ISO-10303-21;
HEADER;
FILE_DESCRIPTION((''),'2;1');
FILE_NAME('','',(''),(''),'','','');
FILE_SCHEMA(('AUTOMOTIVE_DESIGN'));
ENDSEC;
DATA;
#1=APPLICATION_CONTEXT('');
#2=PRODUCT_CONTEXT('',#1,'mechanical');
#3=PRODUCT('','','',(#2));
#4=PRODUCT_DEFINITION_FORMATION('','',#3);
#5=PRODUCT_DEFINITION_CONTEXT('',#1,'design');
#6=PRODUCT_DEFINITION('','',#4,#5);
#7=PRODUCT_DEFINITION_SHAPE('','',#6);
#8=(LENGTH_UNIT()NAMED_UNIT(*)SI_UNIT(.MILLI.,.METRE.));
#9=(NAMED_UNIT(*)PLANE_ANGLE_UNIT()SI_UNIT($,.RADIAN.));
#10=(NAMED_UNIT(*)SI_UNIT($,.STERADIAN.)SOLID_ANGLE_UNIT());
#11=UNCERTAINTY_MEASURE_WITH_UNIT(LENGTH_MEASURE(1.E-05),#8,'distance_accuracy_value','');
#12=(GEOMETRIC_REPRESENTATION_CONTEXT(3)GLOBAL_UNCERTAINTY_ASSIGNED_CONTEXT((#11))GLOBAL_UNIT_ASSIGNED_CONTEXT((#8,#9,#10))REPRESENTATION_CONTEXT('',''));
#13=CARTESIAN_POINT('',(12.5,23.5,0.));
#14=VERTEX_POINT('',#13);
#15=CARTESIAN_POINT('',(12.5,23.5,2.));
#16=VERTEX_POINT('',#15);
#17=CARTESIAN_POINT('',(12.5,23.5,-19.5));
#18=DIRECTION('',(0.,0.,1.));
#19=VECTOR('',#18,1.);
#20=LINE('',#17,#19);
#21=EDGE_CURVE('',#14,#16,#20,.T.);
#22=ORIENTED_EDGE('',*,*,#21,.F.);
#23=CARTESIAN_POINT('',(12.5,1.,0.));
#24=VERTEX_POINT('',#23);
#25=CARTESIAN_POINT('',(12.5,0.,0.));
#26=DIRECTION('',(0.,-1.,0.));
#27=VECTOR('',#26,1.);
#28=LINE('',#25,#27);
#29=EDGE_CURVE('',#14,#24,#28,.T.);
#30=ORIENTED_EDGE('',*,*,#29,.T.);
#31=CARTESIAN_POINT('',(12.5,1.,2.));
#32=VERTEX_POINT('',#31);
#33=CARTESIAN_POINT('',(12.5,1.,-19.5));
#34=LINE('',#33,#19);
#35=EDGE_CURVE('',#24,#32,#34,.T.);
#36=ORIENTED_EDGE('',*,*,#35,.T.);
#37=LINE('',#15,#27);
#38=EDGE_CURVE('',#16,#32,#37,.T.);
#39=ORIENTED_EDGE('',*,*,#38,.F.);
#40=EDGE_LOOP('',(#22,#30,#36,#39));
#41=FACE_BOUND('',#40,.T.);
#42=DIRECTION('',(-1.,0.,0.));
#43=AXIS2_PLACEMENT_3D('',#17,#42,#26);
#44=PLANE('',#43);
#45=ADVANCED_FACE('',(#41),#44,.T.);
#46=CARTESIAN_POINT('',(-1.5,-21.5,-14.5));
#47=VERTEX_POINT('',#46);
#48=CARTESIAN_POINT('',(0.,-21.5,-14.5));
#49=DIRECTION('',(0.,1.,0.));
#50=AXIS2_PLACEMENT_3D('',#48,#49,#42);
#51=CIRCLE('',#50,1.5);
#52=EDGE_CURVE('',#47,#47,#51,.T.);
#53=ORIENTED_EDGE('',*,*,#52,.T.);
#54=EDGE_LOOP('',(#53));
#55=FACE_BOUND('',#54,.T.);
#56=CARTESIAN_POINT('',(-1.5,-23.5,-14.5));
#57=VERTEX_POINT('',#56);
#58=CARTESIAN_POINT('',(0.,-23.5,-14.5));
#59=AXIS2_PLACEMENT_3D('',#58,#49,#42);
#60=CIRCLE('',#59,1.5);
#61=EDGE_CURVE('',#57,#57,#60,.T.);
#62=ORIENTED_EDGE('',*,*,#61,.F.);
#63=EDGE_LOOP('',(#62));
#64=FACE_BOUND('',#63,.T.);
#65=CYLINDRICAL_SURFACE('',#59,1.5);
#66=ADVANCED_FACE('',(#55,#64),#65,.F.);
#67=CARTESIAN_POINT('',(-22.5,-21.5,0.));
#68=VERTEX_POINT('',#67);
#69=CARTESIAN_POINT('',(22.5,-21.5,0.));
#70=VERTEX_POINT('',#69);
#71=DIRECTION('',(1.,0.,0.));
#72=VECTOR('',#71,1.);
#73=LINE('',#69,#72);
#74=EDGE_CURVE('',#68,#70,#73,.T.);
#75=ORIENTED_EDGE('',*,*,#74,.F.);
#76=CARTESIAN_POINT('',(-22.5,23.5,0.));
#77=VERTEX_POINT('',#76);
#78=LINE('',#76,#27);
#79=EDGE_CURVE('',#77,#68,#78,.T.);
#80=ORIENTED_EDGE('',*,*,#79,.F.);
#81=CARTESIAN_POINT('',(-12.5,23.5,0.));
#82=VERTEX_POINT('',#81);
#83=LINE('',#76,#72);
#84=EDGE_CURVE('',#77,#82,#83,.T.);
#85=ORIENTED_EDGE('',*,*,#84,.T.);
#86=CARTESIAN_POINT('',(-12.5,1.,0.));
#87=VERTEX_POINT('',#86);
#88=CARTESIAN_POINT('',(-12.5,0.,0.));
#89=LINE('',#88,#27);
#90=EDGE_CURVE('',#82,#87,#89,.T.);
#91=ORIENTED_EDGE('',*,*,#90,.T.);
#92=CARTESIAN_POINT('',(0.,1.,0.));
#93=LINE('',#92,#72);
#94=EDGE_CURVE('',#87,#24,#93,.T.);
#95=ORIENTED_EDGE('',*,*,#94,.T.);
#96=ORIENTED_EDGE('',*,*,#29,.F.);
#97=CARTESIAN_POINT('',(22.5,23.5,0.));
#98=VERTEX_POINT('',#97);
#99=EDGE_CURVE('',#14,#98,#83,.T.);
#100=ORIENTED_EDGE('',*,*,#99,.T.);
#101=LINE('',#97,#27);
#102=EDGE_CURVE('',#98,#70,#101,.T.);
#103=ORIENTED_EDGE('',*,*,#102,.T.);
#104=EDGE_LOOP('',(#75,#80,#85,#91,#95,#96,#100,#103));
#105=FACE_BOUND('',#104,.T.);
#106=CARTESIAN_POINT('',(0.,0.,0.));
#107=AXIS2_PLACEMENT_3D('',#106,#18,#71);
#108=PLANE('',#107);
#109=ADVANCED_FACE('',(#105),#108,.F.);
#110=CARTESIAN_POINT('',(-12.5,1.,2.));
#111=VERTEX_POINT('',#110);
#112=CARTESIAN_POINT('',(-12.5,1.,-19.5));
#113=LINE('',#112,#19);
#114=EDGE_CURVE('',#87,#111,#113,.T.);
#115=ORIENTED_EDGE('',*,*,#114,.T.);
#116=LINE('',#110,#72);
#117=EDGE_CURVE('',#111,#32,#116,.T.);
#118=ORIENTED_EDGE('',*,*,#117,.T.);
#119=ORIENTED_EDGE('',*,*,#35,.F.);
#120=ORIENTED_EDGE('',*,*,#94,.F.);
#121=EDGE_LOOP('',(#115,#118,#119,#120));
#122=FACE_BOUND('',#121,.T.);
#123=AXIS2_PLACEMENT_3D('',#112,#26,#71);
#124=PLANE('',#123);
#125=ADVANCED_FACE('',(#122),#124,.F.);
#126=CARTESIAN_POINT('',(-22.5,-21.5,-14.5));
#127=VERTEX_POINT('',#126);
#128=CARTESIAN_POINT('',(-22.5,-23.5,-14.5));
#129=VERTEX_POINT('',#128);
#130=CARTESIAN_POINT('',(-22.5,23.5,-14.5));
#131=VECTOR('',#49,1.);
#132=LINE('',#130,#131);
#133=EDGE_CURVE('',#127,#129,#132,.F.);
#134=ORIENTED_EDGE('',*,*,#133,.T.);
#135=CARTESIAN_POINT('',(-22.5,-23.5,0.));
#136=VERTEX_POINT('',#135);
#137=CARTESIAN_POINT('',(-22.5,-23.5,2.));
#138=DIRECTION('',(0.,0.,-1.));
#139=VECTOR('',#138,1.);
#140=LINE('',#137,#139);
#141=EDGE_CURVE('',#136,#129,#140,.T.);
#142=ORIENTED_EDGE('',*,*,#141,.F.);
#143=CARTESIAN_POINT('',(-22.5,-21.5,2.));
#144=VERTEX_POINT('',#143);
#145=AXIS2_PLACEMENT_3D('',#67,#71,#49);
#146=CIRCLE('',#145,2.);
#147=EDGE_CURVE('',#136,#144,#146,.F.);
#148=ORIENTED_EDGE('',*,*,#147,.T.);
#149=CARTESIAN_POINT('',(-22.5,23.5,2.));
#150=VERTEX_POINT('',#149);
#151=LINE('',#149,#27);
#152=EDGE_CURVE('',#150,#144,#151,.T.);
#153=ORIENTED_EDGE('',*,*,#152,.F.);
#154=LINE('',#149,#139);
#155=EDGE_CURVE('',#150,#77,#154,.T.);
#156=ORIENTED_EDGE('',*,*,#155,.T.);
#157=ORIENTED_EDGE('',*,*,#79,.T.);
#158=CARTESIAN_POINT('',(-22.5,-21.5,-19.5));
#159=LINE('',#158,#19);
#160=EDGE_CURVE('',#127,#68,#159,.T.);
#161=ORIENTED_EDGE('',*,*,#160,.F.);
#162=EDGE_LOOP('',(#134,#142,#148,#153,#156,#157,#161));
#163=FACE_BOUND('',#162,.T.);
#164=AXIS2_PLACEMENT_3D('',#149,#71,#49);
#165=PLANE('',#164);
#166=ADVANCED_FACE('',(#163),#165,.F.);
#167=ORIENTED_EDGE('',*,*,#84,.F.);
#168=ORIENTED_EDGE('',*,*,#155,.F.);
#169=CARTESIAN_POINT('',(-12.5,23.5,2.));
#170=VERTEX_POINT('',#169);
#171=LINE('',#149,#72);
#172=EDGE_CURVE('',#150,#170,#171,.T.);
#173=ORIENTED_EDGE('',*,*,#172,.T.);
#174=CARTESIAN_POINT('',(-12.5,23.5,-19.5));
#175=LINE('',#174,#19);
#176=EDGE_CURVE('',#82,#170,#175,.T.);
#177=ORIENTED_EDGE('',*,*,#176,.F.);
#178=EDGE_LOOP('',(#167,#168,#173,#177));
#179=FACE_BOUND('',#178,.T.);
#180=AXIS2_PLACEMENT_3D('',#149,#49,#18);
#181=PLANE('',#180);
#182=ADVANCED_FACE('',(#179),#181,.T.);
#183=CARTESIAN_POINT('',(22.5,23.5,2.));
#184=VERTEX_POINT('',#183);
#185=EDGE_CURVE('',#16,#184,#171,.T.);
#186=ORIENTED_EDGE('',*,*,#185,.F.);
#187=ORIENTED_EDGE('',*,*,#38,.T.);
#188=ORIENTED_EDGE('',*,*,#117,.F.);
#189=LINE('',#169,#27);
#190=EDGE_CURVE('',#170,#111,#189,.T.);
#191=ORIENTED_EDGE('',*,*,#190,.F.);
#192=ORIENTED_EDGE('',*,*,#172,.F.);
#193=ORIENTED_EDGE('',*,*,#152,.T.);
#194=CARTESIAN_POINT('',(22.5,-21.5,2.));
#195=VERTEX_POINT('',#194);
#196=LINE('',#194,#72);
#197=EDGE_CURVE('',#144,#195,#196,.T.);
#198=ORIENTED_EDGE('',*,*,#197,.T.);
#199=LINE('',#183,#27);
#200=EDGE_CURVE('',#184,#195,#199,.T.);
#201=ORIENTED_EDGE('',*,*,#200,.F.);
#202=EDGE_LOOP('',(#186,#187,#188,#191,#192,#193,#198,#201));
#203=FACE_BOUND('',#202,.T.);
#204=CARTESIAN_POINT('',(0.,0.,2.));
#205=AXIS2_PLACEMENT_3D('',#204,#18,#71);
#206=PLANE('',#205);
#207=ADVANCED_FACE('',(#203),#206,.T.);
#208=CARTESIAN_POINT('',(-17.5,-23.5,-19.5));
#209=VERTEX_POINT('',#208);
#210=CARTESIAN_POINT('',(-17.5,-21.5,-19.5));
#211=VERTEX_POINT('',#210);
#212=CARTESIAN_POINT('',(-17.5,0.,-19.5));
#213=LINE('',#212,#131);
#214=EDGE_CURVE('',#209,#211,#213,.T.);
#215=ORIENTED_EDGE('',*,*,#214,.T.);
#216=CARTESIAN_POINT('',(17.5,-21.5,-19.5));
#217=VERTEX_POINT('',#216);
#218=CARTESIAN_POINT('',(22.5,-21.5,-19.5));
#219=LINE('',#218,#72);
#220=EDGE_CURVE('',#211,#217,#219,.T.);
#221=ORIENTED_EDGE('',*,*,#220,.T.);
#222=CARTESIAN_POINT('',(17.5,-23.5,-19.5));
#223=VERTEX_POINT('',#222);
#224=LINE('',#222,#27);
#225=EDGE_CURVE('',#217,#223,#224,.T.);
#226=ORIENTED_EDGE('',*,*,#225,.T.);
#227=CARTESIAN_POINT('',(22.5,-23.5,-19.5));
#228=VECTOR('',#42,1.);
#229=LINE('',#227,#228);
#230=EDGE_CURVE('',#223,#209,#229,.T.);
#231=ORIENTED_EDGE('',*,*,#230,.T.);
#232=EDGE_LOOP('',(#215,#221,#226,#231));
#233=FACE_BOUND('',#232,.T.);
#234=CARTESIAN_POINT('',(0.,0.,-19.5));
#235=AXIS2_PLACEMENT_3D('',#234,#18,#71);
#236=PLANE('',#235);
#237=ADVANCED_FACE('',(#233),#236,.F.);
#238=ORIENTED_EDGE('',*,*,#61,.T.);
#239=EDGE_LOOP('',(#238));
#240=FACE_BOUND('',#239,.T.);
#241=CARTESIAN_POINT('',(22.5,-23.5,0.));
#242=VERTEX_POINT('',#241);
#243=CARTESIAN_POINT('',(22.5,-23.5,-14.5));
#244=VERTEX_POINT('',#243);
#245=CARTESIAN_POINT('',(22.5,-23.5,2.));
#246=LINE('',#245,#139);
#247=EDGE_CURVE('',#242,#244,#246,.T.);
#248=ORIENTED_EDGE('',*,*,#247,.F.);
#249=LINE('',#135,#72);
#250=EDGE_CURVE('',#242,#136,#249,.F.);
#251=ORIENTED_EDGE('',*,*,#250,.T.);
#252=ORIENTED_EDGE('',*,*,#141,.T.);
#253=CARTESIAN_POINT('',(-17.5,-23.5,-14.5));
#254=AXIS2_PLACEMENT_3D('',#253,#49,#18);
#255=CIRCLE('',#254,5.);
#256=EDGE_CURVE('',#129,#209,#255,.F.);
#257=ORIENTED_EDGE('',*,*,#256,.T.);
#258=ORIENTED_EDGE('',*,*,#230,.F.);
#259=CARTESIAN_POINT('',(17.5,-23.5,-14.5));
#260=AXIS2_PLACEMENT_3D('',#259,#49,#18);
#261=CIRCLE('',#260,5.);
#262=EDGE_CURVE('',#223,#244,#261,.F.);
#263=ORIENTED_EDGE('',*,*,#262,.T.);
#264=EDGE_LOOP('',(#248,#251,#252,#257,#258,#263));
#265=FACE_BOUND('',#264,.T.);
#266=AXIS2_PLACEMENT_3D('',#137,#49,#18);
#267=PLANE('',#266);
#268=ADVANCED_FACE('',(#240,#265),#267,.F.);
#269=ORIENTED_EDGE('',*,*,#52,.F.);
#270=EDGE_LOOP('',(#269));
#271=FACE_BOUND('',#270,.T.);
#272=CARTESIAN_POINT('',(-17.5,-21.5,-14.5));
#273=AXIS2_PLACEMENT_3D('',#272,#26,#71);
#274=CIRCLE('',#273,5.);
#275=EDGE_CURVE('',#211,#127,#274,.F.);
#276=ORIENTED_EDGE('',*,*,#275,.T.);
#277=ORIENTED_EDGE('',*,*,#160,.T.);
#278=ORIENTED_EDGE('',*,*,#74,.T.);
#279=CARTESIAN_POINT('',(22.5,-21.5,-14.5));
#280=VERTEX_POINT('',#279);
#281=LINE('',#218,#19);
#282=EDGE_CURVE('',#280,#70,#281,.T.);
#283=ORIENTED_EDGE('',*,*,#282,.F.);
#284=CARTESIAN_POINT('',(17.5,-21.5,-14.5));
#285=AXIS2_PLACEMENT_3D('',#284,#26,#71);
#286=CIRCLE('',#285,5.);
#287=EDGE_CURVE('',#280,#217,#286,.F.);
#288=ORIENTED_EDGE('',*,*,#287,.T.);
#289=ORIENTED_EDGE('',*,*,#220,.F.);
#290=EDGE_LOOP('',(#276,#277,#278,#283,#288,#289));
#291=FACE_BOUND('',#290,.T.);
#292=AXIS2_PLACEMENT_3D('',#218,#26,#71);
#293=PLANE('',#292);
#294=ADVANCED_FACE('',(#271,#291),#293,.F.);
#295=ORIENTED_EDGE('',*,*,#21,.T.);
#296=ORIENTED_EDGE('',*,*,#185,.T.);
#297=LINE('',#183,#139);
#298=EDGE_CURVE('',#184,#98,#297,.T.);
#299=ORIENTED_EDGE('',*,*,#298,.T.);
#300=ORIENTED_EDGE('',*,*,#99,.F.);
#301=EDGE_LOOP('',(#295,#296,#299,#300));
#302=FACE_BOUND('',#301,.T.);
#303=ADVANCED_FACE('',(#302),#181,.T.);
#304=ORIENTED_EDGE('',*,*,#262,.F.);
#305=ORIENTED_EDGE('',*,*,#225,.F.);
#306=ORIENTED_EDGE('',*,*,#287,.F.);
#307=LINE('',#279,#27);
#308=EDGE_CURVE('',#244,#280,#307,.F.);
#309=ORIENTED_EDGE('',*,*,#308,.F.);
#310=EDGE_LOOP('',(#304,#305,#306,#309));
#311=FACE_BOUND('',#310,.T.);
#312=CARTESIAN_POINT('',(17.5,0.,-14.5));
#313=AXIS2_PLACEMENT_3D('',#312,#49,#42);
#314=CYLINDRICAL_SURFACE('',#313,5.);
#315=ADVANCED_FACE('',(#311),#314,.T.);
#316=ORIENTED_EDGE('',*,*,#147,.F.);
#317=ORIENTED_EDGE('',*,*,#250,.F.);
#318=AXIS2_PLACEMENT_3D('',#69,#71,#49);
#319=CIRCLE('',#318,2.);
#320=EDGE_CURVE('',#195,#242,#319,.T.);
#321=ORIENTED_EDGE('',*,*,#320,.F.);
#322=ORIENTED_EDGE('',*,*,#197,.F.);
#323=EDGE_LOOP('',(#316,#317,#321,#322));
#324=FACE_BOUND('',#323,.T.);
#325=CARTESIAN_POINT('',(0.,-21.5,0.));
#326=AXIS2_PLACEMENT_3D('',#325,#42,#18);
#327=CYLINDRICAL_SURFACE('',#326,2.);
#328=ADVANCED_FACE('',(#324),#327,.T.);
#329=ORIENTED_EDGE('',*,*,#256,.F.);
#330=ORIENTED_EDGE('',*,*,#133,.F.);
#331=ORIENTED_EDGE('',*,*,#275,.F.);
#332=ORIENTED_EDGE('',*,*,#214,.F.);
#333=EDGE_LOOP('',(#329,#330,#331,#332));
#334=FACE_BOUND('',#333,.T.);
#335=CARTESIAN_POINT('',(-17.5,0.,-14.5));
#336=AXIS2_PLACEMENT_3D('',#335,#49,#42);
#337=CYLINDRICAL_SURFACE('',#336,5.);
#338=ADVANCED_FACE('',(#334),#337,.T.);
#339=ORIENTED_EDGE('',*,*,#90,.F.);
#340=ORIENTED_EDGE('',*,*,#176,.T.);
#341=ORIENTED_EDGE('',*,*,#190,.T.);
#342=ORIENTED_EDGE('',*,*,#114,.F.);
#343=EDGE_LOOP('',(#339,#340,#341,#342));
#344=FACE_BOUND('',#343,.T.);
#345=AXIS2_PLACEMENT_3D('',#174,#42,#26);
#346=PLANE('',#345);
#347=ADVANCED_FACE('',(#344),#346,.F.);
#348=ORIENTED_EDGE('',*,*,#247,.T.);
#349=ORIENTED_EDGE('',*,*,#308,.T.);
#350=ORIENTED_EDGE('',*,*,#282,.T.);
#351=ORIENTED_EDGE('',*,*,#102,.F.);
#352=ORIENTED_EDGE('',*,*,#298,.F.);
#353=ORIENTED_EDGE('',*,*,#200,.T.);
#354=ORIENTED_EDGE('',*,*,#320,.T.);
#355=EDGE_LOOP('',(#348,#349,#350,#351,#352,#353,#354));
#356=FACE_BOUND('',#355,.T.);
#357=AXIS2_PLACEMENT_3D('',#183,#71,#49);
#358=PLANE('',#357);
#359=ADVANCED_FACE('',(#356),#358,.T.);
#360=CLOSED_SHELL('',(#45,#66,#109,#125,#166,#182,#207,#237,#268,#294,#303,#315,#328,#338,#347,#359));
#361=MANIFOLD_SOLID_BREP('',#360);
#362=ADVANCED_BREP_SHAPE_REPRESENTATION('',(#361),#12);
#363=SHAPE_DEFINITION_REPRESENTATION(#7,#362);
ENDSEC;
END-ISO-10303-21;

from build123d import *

# Parameters (mm, degrees)
SKETCH1_W           = 45
SKETCH1_H           = 47
BOSS_EXTRUDE1_DEPTH = 2
SKETCH2_W           = 45
SKETCH2_H           = 2
BOSS_EXTRUDE2_DEPTH = 19.5
FILLET1_R           = 2
FILLET2_R           = 5
SKETCH3_W           = 25
SKETCH3_H           = 22.5
CUT_EXTRUDE1_DEPTH  = 39.99679474
SKETCH4_R           = 1.5
CUT_EXTRUDE2_DEPTH  = 54.958317246


with BuildPart() as part:
    # Sketch1 → Boss-Extrude1 (new body)
    with BuildSketch(Plane.XY):
        Rectangle(SKETCH1_W, SKETCH1_H)
    extrude(amount=BOSS_EXTRUDE1_DEPTH)

    # Sketch2 → Boss-Extrude2 (add)
    with BuildSketch(Plane(origin=(0, 0, 0), x_dir=(-1, 0, 0), z_dir=(0, 0, -1))):
        with Locations((0, -22.5)):
            Rectangle(SKETCH2_W, SKETCH2_H)
    extrude(amount=BOSS_EXTRUDE2_DEPTH)

    # Fillet1
    fillet1_edges = [part.edges().sort_by_distance(p)[0] for p in [
        (0, -23.5, 2),
    ]]
    fillet(fillet1_edges, radius=FILLET1_R)

    # Fillet2
    fillet2_edges = [part.edges().sort_by_distance(p)[0] for p in [
        (22.5, -22.5, -19.5),
        (-22.5, -22.5, -19.5),
    ]]
    fillet(fillet2_edges, radius=FILLET2_R)

    # Sketch3 → Cut-Extrude1 (cut, through all)
    with BuildSketch(Plane.XY.offset(2)):
        with Locations((0, 12.25)):
            Rectangle(SKETCH3_W, SKETCH3_H)
    extrude(amount=-CUT_EXTRUDE1_DEPTH, mode=Mode.SUBTRACT)

    # Sketch4 → Cut-Extrude2 (cut, through all)
    with BuildSketch(Plane(origin=(0, -21.5, 0), x_dir=(1, 0, 0), z_dir=(0, 1, 0))):
        with Locations(Location((0, 14.5, 0), (0, 0, 180))):
            Circle(SKETCH4_R)
    extrude(amount=-CUT_EXTRUDE2_DEPTH, mode=Mode.SUBTRACT)


solid = part.part
